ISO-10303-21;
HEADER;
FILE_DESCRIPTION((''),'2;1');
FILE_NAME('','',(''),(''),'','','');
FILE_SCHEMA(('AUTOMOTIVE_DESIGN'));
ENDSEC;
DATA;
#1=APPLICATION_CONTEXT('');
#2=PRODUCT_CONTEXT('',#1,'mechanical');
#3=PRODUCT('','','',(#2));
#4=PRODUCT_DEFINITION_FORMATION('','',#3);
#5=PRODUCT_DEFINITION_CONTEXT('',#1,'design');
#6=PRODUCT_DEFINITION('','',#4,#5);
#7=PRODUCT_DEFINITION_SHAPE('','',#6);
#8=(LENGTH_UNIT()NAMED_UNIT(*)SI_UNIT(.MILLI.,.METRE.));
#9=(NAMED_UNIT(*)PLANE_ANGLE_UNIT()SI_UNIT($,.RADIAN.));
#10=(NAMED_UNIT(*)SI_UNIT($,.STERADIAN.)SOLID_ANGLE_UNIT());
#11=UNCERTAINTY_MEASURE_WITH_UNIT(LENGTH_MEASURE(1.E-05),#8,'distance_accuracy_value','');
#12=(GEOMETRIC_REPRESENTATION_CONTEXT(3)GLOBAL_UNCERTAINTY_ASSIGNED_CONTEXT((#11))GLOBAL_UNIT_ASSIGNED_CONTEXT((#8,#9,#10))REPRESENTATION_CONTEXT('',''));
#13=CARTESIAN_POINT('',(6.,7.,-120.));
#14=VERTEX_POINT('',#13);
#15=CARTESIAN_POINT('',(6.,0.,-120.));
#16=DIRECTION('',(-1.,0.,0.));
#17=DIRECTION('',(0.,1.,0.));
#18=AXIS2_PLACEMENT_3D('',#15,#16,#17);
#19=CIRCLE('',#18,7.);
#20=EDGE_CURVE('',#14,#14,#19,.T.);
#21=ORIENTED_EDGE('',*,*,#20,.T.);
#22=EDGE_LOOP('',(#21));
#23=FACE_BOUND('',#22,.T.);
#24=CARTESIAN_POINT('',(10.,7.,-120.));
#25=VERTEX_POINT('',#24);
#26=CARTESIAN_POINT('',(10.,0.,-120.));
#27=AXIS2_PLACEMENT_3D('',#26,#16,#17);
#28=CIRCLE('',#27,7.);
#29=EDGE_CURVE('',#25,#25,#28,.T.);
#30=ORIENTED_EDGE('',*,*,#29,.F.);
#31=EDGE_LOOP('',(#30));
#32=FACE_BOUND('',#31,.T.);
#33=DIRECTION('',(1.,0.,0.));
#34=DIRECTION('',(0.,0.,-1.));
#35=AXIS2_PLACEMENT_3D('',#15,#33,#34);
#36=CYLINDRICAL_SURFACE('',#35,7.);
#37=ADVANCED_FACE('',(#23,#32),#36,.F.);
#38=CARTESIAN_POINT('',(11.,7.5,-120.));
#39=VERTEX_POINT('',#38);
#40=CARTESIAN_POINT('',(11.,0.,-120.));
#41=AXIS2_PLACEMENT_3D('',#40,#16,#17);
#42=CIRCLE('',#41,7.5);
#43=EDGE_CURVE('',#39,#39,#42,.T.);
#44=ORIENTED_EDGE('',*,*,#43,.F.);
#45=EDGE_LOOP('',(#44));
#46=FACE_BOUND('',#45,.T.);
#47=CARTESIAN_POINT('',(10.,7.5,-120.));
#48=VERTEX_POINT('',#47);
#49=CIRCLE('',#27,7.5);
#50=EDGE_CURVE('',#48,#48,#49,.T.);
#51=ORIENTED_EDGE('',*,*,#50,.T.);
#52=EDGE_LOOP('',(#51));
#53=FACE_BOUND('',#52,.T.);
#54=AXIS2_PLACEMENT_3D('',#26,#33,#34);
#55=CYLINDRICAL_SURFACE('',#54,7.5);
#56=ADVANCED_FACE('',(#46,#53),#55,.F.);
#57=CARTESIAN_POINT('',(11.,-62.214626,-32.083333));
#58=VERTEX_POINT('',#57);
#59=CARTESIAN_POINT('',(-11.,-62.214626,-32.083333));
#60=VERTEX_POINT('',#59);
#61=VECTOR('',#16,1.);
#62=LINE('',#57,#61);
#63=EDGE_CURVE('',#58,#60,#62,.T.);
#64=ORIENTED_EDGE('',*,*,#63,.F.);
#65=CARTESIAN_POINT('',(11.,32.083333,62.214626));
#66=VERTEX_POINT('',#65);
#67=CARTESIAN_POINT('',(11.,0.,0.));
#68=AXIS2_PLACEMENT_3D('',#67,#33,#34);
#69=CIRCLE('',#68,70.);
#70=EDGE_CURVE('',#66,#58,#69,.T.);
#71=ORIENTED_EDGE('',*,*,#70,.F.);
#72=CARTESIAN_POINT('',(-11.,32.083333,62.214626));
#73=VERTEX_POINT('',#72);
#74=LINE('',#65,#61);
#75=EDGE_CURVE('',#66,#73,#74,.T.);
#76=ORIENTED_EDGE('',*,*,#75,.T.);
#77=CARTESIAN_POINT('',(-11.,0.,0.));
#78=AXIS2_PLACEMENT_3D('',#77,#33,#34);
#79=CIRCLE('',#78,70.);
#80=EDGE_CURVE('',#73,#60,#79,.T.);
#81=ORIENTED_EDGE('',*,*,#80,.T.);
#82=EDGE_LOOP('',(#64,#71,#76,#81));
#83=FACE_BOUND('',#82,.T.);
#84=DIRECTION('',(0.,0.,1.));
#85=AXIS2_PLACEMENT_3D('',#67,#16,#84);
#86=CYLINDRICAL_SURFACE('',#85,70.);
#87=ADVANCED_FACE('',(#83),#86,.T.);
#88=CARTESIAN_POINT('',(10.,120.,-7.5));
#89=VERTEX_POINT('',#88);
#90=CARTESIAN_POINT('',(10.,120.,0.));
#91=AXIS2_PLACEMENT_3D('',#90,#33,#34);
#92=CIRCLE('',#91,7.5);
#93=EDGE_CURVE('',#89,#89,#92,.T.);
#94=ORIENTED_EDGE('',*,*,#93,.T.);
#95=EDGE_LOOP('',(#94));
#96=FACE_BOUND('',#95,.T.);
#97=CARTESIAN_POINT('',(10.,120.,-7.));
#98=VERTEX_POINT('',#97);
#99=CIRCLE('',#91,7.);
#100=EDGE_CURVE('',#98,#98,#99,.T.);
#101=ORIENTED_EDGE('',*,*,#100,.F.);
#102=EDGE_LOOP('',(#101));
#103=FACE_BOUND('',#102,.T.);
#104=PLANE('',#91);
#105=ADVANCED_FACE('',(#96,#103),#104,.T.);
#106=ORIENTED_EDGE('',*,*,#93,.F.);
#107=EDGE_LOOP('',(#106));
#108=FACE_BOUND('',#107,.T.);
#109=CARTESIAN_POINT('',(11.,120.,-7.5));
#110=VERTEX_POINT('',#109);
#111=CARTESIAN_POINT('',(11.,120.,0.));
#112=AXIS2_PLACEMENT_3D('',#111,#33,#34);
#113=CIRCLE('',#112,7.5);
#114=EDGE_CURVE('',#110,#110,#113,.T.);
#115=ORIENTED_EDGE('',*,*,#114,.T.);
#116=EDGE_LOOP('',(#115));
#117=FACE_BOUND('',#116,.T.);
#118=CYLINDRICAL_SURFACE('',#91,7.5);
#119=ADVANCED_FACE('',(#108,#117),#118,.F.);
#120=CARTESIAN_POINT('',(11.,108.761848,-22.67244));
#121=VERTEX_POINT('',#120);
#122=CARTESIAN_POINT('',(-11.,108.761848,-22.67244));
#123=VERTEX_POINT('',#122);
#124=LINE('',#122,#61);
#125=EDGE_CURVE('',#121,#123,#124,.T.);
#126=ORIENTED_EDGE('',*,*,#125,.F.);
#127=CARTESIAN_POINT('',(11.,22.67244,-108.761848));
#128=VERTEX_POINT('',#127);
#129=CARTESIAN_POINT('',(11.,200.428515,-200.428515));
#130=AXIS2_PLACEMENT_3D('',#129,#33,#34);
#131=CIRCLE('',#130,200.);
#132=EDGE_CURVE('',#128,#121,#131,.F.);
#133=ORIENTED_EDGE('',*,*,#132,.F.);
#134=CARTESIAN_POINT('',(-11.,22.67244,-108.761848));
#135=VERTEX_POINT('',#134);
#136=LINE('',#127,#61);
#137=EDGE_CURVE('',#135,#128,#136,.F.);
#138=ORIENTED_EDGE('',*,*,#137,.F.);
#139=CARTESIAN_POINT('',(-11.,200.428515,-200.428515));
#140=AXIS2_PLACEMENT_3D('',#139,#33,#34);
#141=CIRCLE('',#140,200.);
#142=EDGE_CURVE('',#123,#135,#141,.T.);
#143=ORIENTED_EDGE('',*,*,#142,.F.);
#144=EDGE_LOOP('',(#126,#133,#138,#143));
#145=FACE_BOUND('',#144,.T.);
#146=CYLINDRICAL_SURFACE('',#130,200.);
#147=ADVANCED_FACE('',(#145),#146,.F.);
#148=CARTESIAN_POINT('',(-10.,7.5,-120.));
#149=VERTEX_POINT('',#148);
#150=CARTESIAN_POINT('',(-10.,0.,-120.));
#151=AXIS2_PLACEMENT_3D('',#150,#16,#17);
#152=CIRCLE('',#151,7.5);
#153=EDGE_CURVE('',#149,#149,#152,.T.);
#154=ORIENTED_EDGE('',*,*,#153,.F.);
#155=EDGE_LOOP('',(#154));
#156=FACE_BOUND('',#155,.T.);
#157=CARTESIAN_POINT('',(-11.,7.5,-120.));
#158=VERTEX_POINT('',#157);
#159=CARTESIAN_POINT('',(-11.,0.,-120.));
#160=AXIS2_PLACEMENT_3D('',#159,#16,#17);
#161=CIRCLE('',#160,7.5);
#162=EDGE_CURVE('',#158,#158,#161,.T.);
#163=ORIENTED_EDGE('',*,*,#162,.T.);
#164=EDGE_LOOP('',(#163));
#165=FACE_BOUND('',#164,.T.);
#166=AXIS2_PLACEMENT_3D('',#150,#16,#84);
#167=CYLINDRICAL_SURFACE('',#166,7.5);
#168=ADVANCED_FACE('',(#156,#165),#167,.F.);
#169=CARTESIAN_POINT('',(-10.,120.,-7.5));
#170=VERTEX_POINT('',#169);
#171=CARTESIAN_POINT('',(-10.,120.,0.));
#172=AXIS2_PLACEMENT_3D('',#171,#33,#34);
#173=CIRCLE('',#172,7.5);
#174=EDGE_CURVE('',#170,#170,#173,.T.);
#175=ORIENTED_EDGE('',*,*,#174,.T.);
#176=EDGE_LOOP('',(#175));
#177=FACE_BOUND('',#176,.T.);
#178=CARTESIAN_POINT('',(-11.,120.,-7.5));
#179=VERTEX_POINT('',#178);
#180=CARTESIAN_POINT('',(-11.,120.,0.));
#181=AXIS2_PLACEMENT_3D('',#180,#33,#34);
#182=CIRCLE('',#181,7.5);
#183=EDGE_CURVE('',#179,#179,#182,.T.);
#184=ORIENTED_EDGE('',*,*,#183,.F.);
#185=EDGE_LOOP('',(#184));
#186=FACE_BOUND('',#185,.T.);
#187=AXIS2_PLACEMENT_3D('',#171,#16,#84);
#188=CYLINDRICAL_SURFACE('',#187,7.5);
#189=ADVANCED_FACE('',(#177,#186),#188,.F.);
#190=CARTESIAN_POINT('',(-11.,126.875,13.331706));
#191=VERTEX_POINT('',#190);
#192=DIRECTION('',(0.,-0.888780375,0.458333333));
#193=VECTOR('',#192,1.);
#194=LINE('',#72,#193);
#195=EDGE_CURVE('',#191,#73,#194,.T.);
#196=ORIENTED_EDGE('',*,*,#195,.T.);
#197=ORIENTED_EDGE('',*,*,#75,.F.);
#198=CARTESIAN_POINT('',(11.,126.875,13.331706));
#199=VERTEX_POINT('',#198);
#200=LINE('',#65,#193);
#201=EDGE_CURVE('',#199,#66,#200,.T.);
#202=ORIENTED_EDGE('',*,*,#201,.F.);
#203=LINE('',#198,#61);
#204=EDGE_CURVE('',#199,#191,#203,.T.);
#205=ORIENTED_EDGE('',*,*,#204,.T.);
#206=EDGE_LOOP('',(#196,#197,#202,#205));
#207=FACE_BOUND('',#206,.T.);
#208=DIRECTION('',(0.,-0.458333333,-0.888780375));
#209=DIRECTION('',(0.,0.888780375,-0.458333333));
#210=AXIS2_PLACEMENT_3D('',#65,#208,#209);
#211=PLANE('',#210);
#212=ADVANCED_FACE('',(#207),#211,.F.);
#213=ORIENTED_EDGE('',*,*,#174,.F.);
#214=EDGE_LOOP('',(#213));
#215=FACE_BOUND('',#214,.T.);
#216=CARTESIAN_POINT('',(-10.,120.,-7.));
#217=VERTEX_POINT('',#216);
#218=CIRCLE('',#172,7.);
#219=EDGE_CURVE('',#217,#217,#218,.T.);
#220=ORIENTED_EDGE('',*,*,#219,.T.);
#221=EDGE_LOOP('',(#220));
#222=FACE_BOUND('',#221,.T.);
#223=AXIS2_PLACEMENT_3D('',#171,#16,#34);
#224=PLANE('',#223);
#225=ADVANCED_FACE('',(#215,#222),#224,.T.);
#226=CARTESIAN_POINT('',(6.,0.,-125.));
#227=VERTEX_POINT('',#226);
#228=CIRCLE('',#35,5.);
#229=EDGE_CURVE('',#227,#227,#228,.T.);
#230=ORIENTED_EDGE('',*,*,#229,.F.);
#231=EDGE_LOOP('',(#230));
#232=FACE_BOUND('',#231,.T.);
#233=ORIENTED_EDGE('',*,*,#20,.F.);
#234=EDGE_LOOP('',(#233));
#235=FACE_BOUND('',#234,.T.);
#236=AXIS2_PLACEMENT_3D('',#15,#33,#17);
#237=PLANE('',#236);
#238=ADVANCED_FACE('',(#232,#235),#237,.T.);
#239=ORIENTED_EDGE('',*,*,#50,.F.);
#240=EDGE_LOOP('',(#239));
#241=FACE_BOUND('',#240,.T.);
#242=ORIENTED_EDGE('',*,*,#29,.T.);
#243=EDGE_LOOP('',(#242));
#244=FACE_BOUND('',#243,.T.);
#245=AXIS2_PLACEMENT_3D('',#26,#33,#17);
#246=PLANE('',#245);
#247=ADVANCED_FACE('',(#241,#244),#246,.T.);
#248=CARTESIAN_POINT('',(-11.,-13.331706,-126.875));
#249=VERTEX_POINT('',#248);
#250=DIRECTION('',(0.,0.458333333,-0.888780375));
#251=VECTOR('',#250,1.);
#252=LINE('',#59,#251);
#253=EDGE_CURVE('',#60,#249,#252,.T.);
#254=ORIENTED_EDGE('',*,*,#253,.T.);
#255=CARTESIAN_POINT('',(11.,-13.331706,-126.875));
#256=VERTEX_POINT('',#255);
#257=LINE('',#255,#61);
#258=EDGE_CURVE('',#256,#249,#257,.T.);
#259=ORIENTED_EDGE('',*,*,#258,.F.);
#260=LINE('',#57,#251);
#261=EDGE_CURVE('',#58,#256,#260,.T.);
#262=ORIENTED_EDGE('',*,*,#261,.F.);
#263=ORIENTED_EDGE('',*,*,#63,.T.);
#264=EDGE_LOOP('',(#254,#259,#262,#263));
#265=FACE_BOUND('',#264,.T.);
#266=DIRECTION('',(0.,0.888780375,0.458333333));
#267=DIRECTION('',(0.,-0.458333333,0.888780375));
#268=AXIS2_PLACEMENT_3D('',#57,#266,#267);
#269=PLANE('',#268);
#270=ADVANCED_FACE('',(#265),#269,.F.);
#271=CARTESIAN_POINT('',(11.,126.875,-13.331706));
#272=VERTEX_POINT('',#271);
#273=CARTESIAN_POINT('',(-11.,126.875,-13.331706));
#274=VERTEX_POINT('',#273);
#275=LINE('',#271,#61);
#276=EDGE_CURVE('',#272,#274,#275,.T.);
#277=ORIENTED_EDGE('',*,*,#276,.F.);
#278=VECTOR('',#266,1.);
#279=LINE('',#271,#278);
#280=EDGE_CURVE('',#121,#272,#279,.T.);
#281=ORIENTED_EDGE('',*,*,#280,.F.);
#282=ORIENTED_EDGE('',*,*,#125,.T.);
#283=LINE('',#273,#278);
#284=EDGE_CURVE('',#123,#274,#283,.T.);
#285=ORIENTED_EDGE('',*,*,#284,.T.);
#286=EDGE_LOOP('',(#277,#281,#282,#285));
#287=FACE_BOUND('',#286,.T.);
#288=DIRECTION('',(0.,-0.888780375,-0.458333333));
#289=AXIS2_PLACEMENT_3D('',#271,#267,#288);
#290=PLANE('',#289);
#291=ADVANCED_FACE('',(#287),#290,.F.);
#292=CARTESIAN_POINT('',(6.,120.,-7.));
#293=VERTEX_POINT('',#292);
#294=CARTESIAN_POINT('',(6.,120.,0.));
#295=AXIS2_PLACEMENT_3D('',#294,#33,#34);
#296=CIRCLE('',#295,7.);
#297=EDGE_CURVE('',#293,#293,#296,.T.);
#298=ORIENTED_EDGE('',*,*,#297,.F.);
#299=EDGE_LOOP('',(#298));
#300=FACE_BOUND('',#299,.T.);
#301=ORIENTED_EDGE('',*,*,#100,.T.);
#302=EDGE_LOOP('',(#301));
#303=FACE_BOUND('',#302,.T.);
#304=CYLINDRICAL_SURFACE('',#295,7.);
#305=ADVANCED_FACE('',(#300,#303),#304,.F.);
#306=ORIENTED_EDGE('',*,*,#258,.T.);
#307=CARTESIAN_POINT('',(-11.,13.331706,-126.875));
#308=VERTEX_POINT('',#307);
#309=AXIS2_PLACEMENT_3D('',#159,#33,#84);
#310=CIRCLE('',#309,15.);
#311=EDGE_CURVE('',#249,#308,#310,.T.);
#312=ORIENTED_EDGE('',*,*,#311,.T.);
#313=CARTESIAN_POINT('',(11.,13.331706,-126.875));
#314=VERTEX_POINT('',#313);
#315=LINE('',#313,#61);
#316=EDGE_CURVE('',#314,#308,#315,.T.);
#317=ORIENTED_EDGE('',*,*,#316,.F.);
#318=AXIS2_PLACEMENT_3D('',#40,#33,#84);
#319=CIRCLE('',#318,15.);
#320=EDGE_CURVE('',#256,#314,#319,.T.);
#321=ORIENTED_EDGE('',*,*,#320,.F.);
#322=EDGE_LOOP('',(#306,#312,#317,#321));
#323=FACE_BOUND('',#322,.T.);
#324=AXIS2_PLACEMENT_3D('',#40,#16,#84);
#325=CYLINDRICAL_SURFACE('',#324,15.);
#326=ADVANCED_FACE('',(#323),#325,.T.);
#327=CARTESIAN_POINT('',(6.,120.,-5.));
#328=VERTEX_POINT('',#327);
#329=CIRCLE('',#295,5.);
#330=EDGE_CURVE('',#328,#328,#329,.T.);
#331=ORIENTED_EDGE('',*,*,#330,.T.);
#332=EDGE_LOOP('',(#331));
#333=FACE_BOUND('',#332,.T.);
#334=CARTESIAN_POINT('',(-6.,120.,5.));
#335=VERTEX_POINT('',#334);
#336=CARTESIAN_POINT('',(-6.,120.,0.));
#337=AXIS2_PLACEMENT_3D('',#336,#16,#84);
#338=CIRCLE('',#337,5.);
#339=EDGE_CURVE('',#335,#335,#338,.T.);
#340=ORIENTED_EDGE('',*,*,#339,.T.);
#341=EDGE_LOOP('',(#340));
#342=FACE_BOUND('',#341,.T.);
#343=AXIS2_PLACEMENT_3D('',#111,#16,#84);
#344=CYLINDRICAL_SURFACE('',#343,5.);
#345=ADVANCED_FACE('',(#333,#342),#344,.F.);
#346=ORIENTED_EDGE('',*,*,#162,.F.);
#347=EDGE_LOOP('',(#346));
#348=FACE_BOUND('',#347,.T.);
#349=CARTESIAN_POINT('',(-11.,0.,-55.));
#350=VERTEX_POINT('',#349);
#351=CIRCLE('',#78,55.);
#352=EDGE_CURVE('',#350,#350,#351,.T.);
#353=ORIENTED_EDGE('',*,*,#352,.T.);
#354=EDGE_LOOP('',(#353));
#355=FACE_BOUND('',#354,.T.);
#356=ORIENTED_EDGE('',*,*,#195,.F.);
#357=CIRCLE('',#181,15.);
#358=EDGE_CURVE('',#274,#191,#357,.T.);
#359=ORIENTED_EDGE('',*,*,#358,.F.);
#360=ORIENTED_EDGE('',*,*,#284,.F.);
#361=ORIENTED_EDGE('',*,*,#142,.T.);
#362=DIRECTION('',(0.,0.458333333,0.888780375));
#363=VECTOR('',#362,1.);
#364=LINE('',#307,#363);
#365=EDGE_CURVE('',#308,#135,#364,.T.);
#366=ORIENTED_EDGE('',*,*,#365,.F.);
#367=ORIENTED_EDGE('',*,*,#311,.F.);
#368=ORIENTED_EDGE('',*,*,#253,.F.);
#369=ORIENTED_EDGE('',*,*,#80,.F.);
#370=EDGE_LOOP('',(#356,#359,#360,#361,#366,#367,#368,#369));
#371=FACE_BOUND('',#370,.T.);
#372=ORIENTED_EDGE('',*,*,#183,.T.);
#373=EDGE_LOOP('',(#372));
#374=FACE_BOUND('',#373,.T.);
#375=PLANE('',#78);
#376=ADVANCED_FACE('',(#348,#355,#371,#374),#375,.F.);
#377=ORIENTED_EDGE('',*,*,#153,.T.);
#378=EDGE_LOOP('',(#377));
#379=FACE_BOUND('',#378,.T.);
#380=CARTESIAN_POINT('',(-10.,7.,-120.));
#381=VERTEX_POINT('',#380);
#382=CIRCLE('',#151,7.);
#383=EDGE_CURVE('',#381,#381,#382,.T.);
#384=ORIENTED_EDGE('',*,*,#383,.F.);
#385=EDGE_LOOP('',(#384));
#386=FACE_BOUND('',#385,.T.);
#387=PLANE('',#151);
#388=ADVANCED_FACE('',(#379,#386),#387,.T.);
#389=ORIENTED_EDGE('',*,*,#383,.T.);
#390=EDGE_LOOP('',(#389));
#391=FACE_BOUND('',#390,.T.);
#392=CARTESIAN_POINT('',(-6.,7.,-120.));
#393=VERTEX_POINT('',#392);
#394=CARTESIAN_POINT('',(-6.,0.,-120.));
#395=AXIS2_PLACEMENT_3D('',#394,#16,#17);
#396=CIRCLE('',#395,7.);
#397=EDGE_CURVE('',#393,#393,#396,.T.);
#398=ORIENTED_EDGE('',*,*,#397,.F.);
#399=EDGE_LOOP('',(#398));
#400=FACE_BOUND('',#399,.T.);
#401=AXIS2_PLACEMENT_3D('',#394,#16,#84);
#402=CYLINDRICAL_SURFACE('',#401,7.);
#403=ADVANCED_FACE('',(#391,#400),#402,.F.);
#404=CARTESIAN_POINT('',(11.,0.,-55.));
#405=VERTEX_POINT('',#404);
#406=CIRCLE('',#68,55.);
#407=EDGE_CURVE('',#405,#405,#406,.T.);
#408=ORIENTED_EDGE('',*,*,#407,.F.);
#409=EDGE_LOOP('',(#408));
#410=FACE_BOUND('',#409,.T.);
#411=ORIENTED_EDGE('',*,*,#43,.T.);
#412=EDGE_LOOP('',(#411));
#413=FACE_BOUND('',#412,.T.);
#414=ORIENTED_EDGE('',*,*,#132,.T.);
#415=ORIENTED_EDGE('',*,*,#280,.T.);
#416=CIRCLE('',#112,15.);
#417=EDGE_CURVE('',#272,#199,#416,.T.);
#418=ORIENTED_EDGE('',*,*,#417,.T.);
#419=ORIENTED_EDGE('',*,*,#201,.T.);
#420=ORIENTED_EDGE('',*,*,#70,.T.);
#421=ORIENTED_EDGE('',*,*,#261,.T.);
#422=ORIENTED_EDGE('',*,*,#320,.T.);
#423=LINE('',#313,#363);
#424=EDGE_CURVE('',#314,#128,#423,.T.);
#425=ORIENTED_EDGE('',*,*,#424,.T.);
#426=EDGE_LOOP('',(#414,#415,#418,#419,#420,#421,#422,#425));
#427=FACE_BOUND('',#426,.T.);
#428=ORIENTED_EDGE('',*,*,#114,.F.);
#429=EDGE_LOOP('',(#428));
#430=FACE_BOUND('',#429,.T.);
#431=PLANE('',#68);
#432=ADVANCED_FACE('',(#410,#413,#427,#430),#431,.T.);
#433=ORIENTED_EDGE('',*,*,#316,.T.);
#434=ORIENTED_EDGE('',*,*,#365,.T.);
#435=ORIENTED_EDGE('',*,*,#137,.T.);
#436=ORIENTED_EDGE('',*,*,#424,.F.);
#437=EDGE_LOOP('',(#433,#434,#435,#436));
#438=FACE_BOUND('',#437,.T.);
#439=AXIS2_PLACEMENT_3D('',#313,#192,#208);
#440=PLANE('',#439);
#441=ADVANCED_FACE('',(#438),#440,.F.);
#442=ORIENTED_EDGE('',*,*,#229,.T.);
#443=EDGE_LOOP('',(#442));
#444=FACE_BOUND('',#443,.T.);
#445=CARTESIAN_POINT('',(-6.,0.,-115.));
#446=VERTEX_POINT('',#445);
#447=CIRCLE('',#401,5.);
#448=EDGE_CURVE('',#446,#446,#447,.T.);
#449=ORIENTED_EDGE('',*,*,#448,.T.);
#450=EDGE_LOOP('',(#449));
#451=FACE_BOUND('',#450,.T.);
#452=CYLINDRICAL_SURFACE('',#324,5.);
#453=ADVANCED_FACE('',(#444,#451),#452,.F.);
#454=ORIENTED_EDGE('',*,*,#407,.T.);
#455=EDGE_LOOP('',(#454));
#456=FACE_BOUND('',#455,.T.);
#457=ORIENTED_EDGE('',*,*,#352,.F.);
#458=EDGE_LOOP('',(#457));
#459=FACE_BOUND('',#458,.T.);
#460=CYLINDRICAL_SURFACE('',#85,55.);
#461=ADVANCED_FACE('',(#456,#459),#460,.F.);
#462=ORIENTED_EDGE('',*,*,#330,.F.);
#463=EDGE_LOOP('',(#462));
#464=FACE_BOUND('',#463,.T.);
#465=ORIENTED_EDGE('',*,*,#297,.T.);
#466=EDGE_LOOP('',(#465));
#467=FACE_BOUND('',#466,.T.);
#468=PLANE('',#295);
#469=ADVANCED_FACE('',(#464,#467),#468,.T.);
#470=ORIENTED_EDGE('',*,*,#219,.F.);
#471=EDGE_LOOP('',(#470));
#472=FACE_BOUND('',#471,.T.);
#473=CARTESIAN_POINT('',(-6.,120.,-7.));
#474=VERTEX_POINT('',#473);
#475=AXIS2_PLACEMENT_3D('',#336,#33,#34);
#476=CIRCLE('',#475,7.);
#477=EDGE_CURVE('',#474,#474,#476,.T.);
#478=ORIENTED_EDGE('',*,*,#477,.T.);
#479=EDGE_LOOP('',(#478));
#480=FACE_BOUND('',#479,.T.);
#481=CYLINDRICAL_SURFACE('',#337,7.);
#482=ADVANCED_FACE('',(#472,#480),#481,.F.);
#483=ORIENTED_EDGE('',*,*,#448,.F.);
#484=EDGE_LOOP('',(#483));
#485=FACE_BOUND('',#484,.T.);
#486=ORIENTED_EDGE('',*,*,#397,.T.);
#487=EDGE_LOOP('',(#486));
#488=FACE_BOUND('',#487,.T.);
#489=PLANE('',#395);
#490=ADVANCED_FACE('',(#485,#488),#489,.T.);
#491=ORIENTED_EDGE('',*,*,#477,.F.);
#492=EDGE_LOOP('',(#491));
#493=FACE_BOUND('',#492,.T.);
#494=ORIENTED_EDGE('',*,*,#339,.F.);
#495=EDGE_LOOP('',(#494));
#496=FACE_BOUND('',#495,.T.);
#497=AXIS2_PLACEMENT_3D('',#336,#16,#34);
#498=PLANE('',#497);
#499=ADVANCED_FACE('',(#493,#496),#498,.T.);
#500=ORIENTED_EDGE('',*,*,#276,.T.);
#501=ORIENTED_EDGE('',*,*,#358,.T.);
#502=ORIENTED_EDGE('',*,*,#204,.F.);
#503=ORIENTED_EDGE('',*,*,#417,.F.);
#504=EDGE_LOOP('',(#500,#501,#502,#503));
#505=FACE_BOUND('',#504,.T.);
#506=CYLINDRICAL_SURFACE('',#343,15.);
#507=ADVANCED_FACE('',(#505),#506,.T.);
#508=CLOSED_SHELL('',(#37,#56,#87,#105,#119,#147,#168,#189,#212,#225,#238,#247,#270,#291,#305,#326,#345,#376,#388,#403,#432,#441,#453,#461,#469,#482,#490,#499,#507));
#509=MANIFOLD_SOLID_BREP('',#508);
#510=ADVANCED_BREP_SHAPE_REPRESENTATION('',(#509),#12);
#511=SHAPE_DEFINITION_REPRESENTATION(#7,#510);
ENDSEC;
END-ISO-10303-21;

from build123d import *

# Parameters (mm, degrees)
SKETCH1_R                                  = 55
SKETCH1_R_2                                = 5
BOSS_EXTRUDE1_DEPTH                        = 11
SKETCH2_R                                  = 7.5
CUT_EXTRUDE1_DEPTH                         = 1
SKETCH3_R                                  = 7
CUT_EXTRUDE2_DEPTH                         = 4
MIRROR1_AT_THE_SECOND_PLANE_COPY_1_SKETC_R = 7.5
MIRROR1_AT_THE_SECOND_PLANE_COPY_1_DEPTH   = 1
MIRROR1_AT_THE_SECOND_PLANE_COPY_2_SKETC_R = 7
MIRROR1_AT_THE_SECOND_PLANE_COPY_2_DEPTH   = 4
FILLET1_R                                  = 200


with BuildPart() as part:
    # Sketch1 → Boss-Extrude1 (new, symmetric)
    with BuildSketch(Plane(origin=(0, 0, 0), x_dir=(0, 0, -1), z_dir=(1, 0, 0))):
        with BuildLine():
            Line((-62.214626272, 32.083333333), (-13.33170563, 126.875))
            ThreePointArc((-13.33170563, 126.875), (0, 135), (13.33170563, 126.875))
            Line((13.33170563, 126.875), (51.962948302, 51.962948302))
            Line((51.962948302, 51.962948302), (126.875, 13.33170563))
            ThreePointArc((126.875, 13.33170563), (135, 0), (126.875, -13.33170563))
            Line((126.875, -13.33170563), (32.083333333, -62.214626272))
            ThreePointArc((32.083333333, -62.214626272), (-49.497474683, -49.497474683), (-62.214626272, 32.083333333))
        make_face()
        Circle(SKETCH1_R, mode=Mode.SUBTRACT)
        with Locations((0, 120)):
            Circle(SKETCH1_R_2, mode=Mode.SUBTRACT)
        with Locations((120, 0)):
            Circle(SKETCH1_R_2, mode=Mode.SUBTRACT)
    extrude(amount=BOSS_EXTRUDE1_DEPTH, both=True)

    # Sketch2 → Cut-Extrude1 (cut)
    with BuildSketch(Plane(origin=(11, 0, 0), x_dir=(0, 0, -1), z_dir=(1, 0, 0))):
        with Locations((0, 120)):
            Circle(SKETCH2_R)
    cut_extrude1 = extrude(amount=-CUT_EXTRUDE1_DEPTH, mode=Mode.SUBTRACT)

    # Sketch3 → Cut-Extrude2 (cut)
    with BuildSketch(Plane(origin=(10, 0, 0), x_dir=(0, 0, -1), z_dir=(1, 0, 0))):
        with Locations((0, 120)):
            Circle(SKETCH3_R)
    cut_extrude2 = extrude(amount=-CUT_EXTRUDE2_DEPTH, mode=Mode.SUBTRACT)

    # Mirror1: Cut-Extrude1, Cut-Extrude2 across plane
    add(cut_extrude1.mirror(Plane(origin=(0, 0, 0), x_dir=(0, -0.7071067811865464, 0.7071067811865487), z_dir=(0, -0.7071067811865487, -0.7071067811865464))), mode=Mode.SUBTRACT)
    add(cut_extrude2.mirror(Plane(origin=(0, 0, 0), x_dir=(0, -0.7071067811865464, 0.7071067811865487), z_dir=(0, -0.7071067811865487, -0.7071067811865464))), mode=Mode.SUBTRACT)

    # Mirror1 at the second plane: Cut-Extrude1, Cut-Extrude2 across plane
    add(cut_extrude1.mirror(Plane(origin=(0, 0, 0), x_dir=(0, 0, 1), z_dir=(1, 0, 0))), mode=Mode.SUBTRACT)
    add(cut_extrude2.mirror(Plane(origin=(0, 0, 0), x_dir=(0, 0, 1), z_dir=(1, 0, 0))), mode=Mode.SUBTRACT)

    # Mirror1 at the second plane copy 1 sketc → Mirror1 at the second plane copy 1 (cut)
    with BuildSketch(Plane(origin=(-11, 0, 0), x_dir=(0, 1, 0), z_dir=(-1, 0, 0))):
        with Locations((0, 120)):
            Circle(MIRROR1_AT_THE_SECOND_PLANE_COPY_1_SKETC_R)
    extrude(amount=-MIRROR1_AT_THE_SECOND_PLANE_COPY_1_DEPTH, mode=Mode.SUBTRACT)

    # Mirror1 at the second plane copy 2 sketc → Mirror1 at the second plane copy 2 (cut)
    with BuildSketch(Plane(origin=(-10, 0, 0), x_dir=(0, 1, 0), z_dir=(-1, 0, 0))):
        with Locations((0, 120)):
            Circle(MIRROR1_AT_THE_SECOND_PLANE_COPY_2_SKETC_R)
    extrude(amount=-MIRROR1_AT_THE_SECOND_PLANE_COPY_2_DEPTH, mode=Mode.SUBTRACT)

    # Fillet1
    fillet1_edges = [part.edges().sort_by_distance(p)[0] for p in [
        (0, 51.962948302, -51.962948302),
    ]]
    fillet(fillet1_edges, radius=FILLET1_R)


solid = part.part
